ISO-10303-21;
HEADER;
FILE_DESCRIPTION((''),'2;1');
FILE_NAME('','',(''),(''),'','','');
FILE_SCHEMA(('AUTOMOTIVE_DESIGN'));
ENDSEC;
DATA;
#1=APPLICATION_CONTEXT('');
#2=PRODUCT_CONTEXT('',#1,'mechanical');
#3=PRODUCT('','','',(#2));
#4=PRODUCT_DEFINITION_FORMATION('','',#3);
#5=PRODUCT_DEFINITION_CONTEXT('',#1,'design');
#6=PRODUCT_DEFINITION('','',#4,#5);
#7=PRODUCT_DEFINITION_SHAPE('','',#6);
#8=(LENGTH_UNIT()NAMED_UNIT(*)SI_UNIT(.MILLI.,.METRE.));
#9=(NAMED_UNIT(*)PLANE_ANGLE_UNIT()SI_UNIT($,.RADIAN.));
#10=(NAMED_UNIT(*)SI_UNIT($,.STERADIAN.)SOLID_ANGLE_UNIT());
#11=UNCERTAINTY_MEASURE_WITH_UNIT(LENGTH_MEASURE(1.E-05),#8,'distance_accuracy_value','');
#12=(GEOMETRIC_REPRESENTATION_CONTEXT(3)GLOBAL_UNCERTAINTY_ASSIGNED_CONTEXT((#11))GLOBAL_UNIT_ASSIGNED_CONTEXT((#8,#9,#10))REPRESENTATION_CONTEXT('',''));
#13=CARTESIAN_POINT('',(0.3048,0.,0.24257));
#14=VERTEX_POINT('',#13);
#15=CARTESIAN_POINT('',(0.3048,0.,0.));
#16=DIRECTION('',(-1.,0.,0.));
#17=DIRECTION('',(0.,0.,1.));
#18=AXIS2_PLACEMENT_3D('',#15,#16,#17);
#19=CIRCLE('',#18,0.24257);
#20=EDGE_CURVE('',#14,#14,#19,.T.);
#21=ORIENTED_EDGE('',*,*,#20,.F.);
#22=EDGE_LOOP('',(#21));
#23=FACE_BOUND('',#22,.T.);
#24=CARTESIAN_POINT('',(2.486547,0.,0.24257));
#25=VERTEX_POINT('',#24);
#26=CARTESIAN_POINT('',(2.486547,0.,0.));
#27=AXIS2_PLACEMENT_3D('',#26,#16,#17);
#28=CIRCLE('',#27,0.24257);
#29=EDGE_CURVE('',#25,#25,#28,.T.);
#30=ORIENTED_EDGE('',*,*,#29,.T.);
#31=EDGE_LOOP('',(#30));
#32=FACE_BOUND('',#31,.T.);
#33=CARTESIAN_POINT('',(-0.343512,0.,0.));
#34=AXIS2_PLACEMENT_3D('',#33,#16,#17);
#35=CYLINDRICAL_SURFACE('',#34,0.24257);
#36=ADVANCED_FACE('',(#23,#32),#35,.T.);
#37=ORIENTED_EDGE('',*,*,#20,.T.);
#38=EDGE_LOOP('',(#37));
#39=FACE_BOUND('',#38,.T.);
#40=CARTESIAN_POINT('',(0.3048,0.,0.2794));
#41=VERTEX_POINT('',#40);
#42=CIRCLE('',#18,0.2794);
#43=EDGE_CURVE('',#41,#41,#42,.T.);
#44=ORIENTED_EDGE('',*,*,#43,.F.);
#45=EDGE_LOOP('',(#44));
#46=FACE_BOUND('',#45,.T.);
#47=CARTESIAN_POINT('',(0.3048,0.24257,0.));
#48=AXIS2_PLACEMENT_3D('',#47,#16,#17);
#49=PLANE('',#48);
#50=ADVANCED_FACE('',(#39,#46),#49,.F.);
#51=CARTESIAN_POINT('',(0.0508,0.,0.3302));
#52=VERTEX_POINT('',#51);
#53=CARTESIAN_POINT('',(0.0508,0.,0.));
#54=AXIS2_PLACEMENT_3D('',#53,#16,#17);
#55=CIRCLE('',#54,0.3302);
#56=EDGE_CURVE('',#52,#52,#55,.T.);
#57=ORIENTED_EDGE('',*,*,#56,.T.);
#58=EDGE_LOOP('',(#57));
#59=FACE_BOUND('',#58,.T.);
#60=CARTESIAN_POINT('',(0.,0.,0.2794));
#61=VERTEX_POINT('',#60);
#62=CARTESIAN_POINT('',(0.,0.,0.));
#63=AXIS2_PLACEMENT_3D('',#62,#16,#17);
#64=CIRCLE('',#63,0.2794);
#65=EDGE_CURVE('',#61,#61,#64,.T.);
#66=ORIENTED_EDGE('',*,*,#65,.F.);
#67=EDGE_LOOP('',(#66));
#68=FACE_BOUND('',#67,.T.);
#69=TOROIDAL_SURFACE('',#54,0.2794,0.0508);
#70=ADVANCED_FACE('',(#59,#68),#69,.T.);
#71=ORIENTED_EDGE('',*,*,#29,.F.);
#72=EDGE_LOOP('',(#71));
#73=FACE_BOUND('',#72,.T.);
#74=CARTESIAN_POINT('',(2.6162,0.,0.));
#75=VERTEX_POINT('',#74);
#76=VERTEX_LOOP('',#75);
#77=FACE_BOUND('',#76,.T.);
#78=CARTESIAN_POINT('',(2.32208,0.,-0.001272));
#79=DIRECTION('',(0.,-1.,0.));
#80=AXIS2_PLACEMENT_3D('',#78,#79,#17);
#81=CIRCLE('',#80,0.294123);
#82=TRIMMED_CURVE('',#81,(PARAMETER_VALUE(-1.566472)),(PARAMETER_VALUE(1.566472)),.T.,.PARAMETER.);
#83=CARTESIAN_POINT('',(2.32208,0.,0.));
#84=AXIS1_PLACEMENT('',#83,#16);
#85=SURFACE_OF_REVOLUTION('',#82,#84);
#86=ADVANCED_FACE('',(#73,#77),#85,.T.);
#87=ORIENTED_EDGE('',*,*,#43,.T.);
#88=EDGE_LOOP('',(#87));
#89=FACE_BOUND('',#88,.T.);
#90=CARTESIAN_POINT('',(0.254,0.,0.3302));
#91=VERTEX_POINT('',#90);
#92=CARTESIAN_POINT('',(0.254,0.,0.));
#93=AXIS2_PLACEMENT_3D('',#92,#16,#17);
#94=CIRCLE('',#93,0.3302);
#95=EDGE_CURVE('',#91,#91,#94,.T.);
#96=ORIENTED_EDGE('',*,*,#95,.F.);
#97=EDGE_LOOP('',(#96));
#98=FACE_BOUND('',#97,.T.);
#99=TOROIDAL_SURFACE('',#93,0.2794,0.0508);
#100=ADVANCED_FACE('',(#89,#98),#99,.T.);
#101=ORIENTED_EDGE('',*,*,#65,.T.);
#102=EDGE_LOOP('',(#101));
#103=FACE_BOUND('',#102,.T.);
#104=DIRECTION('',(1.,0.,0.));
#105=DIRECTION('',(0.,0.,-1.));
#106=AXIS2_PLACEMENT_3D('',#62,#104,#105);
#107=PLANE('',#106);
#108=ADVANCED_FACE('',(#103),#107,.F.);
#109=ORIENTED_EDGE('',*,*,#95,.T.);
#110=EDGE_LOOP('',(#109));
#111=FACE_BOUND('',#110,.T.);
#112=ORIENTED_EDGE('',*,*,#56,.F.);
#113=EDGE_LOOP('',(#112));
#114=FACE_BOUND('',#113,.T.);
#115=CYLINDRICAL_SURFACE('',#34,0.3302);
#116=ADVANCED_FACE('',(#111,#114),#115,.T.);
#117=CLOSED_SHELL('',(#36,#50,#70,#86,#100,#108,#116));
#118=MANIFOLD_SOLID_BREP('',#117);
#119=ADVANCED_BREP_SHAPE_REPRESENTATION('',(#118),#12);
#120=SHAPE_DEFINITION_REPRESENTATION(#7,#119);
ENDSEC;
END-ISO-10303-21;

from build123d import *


with BuildPart() as part:
    # Sketch1 → RevolutionAngle1 (revolve)
    with BuildSketch(Plane.XY, mode=Mode.PRIVATE) as revolutionangle1_sk:
        with BuildLine():
            Line((0, 0), (2.6162, 0))
            ThreePointArc((2.6162, 0), (2.581474496, 0.137373984), (2.486546783, 0.24257))
            Line((2.486546783, 0.24257), (0.3048, 0.24257))
            Line((0.3048, 0.24257), (0.3048, 0.2794))
            ThreePointArc((0.3048, 0.2794), (0.289921024, 0.315321024), (0.254, 0.3302))
            Line((0.254, 0.3302), (0.0508, 0.3302))
            ThreePointArc((0.0508, 0.3302), (0.014878976, 0.315321024), (0, 0.2794))
            Line((0, 0.2794), (0, 0))
        make_face()
    revolve(revolutionangle1_sk.sketch.rotate(Axis((-0.343512289, 0, 0), (1, 0, 0)), 90), axis=Axis((-0.343512289, 0, 0), (1, 0, 0)))


solid = part.part
